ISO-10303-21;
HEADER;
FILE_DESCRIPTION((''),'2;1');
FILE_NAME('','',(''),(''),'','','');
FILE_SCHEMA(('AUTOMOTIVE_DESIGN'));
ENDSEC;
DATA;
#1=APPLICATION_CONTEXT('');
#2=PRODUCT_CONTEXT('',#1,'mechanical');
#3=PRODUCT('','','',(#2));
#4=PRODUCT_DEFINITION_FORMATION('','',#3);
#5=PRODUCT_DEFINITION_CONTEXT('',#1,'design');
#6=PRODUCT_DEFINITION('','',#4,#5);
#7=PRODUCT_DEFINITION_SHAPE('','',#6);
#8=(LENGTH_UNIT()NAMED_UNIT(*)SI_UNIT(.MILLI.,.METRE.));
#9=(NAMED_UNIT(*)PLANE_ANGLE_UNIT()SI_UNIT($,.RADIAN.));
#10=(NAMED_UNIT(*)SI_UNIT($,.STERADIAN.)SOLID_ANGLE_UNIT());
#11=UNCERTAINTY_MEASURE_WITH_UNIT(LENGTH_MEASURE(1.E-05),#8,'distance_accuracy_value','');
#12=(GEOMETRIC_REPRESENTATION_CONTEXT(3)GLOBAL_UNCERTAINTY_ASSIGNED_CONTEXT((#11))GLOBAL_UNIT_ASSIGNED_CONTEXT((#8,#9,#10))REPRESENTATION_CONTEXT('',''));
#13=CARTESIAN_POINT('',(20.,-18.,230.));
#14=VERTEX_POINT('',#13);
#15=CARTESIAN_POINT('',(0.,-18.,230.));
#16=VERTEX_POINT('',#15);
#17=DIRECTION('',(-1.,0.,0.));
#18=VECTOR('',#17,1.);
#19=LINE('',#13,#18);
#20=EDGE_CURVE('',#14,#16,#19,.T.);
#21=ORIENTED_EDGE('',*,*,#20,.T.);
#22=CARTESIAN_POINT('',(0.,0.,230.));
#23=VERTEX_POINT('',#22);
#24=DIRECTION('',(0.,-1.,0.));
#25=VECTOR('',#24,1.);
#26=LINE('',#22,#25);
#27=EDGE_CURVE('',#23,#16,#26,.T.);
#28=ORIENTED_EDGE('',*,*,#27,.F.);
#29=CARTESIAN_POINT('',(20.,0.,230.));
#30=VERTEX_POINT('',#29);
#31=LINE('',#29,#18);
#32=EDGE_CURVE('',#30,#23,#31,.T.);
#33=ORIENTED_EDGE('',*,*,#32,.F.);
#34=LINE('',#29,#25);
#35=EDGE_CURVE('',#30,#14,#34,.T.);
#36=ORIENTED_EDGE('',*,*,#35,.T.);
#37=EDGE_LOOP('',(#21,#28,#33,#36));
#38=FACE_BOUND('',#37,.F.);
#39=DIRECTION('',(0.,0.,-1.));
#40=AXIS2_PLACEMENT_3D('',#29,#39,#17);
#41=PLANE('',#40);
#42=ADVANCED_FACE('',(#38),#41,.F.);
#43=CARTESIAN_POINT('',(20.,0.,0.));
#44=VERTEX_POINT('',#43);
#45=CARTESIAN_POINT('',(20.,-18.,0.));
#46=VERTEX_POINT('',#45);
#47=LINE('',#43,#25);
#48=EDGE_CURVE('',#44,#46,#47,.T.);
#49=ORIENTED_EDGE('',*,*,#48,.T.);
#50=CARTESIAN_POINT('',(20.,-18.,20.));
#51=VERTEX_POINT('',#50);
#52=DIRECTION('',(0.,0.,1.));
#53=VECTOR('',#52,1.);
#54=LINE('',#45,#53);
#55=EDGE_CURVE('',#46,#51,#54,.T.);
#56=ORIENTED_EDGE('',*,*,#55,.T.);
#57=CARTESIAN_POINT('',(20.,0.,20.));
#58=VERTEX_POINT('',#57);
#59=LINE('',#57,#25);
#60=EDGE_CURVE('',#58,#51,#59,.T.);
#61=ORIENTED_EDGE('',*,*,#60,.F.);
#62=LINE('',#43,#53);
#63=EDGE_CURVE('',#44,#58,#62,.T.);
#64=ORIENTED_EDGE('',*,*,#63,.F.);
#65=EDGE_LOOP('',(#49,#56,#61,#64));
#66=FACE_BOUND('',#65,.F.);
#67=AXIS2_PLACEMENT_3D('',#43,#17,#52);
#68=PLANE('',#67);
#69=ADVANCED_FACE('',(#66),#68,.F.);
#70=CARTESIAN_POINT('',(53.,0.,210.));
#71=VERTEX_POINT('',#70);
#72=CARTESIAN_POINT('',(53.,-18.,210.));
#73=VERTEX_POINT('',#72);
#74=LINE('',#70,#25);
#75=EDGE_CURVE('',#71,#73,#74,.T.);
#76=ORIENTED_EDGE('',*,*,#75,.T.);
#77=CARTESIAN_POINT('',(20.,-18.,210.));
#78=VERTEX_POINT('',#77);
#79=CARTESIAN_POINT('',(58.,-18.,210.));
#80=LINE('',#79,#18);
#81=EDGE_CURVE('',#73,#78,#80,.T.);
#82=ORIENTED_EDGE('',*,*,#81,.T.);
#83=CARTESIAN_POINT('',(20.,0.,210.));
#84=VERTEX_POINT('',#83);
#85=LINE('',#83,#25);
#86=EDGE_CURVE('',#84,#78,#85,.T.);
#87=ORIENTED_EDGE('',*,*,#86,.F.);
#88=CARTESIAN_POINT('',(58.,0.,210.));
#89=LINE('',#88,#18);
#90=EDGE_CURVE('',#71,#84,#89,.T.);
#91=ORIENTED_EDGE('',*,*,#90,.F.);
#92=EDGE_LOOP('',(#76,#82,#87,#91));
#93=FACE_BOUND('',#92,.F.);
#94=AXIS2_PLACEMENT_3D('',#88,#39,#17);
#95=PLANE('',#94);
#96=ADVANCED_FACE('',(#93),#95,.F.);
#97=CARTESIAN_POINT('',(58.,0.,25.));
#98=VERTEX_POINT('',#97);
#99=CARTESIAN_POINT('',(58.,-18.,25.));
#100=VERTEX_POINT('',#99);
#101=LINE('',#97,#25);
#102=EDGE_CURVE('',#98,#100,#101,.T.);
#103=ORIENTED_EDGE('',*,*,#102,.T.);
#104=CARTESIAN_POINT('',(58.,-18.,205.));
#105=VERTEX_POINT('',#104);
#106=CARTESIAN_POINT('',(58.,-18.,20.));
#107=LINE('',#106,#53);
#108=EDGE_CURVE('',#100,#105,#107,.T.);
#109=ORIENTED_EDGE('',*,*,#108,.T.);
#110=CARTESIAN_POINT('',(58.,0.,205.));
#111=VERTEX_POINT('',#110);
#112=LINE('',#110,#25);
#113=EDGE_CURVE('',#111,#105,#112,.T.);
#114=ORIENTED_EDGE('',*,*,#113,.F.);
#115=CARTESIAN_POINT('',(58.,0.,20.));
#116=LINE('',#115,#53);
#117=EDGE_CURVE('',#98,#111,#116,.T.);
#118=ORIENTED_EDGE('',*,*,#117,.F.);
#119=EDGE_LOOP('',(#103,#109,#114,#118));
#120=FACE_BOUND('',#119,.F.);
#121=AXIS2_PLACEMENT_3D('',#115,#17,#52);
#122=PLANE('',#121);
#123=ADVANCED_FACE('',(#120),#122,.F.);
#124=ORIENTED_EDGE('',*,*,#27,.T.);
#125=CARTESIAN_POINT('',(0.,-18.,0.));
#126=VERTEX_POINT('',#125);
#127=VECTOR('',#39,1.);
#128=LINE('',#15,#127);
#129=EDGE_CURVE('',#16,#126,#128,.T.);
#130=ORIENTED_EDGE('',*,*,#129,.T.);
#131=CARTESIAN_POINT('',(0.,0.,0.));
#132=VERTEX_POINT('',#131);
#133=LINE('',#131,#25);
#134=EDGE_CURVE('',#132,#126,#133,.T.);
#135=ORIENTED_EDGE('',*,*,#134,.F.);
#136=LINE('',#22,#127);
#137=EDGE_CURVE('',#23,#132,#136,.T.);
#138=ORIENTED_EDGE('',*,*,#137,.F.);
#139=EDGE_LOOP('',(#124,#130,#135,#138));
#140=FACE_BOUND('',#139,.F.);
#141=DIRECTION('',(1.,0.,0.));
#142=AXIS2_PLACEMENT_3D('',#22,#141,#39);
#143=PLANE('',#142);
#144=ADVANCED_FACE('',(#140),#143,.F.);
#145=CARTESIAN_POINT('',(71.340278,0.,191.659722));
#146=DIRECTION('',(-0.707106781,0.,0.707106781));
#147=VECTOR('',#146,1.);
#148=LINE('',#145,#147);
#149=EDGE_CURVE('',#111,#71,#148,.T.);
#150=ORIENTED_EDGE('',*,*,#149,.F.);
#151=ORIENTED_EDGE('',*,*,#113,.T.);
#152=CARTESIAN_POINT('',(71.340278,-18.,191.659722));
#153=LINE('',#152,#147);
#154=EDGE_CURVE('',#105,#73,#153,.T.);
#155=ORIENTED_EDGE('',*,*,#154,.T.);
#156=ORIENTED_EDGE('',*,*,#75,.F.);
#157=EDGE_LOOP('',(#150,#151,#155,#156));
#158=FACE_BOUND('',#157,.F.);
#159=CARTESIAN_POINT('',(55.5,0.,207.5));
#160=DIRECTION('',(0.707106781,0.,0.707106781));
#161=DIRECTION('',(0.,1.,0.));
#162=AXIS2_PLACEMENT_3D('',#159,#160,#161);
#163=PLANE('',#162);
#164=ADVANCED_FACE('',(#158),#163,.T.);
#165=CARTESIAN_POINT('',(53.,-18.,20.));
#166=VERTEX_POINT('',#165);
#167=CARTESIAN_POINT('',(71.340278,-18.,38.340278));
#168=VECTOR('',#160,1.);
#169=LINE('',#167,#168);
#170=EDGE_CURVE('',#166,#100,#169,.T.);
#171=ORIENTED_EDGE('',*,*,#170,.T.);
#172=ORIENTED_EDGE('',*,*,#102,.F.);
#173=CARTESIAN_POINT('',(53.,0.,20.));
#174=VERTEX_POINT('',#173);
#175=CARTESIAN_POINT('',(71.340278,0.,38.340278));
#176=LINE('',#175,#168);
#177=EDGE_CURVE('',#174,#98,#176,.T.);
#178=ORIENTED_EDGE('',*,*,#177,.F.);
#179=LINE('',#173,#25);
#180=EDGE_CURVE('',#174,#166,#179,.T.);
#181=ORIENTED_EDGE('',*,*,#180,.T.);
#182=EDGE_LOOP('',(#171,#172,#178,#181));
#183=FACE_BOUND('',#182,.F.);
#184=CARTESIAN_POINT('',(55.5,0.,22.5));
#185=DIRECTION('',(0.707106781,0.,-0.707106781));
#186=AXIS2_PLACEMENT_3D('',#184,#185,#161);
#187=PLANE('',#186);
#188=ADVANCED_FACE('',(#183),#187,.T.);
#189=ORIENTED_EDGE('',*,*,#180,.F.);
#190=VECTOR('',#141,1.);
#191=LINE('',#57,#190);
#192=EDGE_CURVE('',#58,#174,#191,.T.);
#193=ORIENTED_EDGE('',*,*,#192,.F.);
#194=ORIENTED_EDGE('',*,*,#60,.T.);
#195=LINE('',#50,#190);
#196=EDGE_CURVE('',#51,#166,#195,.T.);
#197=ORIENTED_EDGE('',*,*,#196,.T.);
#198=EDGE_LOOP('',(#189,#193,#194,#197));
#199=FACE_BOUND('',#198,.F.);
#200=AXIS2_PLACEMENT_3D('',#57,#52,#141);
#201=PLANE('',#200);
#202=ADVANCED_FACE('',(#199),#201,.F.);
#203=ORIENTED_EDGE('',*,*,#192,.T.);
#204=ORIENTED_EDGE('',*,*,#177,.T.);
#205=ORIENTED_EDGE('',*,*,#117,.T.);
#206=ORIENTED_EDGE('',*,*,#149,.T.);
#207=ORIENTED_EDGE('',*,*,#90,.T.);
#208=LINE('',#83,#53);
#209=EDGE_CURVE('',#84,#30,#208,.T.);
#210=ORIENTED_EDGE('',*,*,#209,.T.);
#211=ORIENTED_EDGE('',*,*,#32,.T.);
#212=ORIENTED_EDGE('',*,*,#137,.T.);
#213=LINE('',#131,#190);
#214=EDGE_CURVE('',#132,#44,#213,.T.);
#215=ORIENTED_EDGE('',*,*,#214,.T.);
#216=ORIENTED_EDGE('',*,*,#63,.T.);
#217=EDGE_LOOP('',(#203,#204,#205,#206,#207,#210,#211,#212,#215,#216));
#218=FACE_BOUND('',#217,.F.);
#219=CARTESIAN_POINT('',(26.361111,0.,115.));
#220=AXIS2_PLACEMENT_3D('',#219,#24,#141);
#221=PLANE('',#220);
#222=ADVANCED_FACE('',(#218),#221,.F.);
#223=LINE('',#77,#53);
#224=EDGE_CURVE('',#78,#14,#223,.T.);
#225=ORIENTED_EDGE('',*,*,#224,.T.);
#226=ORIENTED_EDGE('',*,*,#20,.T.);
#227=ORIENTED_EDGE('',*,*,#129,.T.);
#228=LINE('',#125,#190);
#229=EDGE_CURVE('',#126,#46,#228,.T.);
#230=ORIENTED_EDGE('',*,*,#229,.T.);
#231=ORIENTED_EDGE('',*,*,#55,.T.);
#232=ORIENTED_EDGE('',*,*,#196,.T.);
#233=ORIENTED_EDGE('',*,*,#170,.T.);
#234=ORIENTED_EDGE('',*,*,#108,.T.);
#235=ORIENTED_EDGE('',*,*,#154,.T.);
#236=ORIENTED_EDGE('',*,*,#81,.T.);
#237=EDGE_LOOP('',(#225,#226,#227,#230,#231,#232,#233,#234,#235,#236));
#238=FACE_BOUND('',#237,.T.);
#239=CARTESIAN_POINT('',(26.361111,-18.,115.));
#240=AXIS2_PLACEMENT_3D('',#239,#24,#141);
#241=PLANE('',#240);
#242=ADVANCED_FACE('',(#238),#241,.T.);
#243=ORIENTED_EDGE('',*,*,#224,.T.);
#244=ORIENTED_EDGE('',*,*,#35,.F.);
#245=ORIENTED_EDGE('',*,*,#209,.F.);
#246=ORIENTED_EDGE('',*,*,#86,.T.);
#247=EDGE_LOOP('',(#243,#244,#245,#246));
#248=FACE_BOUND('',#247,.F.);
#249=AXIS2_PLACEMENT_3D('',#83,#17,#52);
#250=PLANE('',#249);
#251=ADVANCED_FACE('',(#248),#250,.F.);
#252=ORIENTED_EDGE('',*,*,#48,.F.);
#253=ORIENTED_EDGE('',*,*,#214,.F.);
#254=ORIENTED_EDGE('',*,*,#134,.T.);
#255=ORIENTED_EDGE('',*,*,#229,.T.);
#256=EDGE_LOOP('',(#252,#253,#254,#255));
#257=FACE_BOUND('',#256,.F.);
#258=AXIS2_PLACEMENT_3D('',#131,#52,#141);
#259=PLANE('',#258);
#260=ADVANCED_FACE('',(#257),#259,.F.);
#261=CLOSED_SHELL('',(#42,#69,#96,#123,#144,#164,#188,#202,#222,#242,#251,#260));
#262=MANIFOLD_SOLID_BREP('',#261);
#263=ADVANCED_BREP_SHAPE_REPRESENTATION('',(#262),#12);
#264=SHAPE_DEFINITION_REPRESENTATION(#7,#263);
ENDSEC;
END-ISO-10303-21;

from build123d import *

# Parameters (mm, degrees)
F1_DEPTH = 18
F2_SIZE  = 5


with BuildPart() as f1:
    # F0 (on Front) → F1 (new body)
    with BuildSketch(Plane.XZ):
        Polygon((0, 230), (0, 0), (20, 0), (20, 20), (58, 20), (58, 210), (20, 210), (20, 230), align=None)
    extrude(amount=F1_DEPTH)

    # F2
    f2_edges = [f1.edges().sort_by_distance(p)[0] for p in [
        (58, -9, 210),
        (58, -9, 20),
    ]]
    chamfer(f2_edges, length=F2_SIZE)


solid = f1.part
